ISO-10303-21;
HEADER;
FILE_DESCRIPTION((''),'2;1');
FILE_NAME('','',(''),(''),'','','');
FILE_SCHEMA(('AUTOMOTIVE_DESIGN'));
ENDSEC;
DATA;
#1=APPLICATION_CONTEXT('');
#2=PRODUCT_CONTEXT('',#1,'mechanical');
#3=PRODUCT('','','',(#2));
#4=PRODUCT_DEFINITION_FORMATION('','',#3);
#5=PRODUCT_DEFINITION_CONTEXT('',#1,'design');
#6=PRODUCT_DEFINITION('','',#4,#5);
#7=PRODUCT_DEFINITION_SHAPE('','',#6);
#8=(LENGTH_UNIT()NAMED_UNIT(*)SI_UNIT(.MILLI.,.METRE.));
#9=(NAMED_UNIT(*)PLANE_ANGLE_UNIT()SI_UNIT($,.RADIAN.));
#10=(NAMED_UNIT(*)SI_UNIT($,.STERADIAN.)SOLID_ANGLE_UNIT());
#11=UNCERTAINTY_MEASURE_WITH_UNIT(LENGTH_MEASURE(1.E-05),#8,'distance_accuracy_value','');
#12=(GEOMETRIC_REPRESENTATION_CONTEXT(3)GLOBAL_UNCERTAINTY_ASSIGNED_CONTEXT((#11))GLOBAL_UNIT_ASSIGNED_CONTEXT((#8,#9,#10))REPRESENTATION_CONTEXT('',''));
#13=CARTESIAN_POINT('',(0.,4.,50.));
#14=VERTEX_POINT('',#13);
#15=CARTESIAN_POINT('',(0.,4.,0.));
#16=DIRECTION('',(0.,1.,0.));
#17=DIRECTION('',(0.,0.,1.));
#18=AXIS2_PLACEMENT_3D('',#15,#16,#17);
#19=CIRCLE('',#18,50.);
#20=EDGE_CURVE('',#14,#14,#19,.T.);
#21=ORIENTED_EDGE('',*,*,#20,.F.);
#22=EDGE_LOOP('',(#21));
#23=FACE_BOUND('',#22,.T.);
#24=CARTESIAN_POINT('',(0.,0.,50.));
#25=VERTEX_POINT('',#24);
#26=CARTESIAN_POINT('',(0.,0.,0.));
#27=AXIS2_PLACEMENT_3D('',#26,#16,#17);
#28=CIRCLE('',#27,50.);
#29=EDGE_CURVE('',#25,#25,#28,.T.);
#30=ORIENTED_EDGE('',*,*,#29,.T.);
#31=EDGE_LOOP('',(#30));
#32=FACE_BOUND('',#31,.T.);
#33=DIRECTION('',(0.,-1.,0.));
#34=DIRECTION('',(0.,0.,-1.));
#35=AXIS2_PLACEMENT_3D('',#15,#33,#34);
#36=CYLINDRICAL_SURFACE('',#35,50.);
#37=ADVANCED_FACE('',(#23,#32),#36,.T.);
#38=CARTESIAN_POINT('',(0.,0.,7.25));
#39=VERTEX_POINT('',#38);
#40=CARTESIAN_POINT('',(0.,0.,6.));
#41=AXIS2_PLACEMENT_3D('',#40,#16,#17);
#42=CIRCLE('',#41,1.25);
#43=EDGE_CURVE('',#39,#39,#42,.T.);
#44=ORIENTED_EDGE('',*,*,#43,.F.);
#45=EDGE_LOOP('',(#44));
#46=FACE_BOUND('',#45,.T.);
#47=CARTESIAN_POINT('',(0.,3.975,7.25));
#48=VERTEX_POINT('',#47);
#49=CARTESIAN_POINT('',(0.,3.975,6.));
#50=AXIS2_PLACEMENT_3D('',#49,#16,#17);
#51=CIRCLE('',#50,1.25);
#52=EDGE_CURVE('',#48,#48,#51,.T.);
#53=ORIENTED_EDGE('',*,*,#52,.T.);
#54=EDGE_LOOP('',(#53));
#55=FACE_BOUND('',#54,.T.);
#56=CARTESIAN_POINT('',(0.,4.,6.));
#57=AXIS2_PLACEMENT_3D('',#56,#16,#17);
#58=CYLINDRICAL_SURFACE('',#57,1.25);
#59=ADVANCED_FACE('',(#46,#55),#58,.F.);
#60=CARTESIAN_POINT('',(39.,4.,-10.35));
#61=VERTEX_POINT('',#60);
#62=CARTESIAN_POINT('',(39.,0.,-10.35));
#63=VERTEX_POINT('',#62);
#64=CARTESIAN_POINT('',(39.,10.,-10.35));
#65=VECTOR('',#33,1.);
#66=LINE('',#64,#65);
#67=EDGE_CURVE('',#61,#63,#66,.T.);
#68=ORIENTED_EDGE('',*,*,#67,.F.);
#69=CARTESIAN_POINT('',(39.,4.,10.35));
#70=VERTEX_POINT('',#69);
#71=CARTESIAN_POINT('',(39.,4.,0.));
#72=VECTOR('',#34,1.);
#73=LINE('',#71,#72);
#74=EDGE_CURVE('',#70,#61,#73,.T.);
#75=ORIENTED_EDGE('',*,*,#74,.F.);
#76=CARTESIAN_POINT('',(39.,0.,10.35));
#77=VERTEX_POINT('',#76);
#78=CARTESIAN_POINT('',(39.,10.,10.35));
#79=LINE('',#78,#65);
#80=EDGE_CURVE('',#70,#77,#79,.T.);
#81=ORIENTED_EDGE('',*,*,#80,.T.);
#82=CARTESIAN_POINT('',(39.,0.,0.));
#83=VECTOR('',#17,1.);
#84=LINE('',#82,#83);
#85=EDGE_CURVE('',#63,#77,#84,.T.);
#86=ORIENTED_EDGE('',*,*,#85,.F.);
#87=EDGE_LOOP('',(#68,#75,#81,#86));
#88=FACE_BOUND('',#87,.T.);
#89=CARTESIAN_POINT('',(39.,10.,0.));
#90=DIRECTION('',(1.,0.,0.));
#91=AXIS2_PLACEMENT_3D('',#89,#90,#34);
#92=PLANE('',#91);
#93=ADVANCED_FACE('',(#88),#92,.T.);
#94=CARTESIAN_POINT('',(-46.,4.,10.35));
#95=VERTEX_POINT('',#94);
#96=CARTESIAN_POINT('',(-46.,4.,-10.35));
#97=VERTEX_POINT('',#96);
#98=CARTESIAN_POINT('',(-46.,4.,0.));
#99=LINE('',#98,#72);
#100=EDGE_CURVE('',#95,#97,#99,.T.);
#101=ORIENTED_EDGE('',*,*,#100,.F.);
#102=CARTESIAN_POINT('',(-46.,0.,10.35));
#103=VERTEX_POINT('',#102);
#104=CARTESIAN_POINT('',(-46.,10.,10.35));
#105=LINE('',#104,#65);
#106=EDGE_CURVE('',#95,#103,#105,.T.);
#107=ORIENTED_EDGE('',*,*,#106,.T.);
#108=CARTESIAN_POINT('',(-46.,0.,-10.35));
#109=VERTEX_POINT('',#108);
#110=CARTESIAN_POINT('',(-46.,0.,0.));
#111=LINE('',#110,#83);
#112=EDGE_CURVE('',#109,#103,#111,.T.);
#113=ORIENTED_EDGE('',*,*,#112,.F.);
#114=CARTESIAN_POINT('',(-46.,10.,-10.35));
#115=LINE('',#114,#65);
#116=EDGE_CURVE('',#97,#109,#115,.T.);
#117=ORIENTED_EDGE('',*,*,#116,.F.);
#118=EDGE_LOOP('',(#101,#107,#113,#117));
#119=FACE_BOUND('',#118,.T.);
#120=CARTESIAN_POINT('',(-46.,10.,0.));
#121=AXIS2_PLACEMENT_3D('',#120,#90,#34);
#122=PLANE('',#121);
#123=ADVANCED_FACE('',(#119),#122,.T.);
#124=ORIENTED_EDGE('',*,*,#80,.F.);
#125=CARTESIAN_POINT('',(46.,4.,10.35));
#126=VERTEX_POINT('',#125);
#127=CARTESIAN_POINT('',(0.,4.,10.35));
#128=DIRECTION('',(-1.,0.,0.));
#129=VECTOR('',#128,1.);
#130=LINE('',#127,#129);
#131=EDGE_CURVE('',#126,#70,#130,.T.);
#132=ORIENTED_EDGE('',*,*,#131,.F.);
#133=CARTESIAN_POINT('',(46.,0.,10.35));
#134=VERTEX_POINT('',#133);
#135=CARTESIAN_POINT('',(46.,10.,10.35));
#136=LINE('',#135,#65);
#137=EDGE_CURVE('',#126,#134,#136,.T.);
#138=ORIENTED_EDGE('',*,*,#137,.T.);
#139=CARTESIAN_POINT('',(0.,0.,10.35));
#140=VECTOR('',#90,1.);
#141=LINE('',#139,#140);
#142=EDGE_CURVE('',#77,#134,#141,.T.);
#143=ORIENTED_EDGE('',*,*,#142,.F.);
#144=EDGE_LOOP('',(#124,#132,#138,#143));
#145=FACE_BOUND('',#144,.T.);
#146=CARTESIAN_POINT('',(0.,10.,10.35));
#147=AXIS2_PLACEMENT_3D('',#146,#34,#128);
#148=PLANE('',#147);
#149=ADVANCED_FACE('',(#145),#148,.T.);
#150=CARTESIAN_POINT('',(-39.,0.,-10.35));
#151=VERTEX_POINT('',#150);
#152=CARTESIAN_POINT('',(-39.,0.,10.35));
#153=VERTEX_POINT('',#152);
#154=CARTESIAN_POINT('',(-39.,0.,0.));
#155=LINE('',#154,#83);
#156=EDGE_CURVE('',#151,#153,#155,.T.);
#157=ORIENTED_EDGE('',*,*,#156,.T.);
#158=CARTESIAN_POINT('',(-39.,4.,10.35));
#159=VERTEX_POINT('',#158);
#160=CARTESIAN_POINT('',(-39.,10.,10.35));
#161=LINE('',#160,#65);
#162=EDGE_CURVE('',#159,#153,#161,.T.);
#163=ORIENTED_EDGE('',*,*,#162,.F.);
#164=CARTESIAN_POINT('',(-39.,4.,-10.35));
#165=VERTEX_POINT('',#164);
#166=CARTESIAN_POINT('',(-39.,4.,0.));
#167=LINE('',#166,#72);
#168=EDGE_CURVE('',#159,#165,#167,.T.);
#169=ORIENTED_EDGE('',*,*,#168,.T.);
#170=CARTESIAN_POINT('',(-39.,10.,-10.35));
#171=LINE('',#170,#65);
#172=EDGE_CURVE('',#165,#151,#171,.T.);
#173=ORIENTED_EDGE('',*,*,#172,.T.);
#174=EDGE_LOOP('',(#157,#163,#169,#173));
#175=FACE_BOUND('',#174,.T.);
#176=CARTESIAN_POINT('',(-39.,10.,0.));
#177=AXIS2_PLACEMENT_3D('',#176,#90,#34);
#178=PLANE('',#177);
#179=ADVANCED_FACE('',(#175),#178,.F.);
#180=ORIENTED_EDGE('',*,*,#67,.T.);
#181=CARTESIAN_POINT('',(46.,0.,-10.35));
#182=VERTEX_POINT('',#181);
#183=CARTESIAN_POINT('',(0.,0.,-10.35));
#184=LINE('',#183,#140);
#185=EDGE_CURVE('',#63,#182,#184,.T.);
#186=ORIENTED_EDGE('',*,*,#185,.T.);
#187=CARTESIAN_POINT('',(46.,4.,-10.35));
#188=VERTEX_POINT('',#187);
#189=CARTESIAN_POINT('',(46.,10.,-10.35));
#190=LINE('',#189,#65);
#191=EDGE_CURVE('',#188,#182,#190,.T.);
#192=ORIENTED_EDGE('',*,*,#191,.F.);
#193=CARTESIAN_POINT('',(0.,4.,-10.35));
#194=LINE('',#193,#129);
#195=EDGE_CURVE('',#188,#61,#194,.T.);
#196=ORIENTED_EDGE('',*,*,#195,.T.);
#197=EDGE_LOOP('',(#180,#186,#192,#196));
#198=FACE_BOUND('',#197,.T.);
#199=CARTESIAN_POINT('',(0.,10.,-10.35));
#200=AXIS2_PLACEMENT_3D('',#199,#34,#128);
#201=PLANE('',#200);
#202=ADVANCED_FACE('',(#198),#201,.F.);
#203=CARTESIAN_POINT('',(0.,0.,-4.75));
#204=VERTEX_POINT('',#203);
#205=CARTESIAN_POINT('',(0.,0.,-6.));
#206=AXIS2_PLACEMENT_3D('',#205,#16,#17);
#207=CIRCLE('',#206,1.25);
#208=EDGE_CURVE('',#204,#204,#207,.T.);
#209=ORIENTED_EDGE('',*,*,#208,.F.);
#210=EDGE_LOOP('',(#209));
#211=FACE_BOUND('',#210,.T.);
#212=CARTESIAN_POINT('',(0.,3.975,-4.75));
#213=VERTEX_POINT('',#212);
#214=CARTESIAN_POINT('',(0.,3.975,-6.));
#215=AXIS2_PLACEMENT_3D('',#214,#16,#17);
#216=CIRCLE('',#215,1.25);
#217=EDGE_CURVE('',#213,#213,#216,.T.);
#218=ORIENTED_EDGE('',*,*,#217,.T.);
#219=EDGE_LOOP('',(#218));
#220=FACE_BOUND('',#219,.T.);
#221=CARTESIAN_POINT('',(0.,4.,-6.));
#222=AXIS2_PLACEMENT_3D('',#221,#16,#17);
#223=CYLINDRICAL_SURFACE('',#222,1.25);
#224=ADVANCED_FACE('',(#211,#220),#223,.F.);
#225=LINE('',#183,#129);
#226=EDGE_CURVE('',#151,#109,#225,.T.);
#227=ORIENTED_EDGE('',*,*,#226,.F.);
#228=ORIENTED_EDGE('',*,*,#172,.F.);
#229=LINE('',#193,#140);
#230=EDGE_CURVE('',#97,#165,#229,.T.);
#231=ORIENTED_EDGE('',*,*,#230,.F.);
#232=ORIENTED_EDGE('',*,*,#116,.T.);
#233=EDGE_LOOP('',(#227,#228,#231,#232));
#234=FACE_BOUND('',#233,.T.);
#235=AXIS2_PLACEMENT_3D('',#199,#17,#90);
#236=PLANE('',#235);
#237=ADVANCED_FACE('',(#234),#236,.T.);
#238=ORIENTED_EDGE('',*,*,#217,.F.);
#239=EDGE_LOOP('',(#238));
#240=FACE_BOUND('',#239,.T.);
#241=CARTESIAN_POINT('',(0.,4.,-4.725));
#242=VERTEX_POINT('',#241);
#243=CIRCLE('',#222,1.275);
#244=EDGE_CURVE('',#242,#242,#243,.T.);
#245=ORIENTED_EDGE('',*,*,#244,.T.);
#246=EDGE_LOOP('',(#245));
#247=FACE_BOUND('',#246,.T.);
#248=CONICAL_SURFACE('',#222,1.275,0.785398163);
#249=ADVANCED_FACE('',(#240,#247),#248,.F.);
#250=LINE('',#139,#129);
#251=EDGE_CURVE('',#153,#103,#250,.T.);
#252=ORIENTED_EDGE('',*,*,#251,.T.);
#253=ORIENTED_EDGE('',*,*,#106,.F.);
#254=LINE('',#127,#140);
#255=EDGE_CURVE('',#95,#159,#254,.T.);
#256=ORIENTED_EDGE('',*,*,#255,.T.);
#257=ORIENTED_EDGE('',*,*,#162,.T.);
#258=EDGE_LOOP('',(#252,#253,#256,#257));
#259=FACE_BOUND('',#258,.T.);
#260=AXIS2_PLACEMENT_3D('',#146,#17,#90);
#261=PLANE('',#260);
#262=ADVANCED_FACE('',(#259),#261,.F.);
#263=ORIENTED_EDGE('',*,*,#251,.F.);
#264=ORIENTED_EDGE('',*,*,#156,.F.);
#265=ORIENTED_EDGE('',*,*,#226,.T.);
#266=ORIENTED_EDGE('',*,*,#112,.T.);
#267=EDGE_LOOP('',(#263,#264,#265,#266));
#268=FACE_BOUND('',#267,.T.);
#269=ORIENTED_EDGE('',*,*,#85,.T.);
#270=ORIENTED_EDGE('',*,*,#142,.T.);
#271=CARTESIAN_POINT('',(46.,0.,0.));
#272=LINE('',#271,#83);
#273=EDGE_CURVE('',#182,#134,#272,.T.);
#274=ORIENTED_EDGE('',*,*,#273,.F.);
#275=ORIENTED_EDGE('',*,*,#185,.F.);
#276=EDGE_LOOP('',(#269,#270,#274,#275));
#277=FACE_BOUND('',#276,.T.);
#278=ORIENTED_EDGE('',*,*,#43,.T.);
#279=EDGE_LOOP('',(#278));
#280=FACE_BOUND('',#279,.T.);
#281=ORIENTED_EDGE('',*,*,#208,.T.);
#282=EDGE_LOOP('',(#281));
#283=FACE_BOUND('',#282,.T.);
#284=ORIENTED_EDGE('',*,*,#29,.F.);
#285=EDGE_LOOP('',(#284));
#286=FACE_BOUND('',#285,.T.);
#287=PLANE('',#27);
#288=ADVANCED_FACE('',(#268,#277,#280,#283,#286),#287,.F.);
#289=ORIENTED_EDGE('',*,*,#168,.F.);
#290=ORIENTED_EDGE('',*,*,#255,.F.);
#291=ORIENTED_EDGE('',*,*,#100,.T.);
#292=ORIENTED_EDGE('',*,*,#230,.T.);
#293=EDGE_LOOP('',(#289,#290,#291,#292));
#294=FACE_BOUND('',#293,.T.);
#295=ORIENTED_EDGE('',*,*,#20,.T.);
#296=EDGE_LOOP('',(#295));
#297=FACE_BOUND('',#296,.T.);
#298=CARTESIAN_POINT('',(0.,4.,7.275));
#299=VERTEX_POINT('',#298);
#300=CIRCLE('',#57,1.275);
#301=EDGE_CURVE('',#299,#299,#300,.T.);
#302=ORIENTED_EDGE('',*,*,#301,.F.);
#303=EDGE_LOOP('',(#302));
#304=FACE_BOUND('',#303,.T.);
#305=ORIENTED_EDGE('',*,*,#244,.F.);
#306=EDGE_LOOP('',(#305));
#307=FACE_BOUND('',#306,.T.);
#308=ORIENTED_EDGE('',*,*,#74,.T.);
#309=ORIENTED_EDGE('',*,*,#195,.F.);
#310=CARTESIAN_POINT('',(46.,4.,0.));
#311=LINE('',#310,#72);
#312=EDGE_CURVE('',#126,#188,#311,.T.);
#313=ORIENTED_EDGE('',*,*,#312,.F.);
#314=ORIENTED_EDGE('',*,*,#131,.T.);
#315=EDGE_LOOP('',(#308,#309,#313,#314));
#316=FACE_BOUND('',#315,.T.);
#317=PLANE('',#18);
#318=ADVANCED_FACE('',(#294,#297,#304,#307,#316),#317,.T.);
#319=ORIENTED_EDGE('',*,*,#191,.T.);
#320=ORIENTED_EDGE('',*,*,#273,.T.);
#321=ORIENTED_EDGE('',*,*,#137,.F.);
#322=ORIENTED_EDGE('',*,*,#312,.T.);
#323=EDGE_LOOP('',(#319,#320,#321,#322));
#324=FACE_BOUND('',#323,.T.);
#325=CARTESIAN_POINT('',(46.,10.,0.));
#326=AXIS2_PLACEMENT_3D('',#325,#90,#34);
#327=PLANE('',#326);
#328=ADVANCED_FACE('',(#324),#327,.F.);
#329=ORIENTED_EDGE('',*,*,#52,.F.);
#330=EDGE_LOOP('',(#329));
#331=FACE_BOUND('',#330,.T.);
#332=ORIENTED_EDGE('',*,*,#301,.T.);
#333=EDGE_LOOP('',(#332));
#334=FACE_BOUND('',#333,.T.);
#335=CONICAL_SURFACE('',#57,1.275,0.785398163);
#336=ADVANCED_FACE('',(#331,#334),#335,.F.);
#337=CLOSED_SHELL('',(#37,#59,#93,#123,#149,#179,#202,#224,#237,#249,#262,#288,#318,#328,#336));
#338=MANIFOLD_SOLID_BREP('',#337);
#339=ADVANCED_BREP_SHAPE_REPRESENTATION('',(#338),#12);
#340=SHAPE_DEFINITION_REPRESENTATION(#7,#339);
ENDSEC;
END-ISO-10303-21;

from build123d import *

# Parameters (mm, degrees)
SKETCH2_R                             = 50
BOSS_EXTRUDE2_DEPTH                   = 4
TAP_DRILL_FOR_M3X0_5_TAP1_D           = 2.5
TAP_DRILL_FOR_M3X0_5_TAP1_CSINK_D     = 2.55
TAP_DRILL_FOR_M3X0_5_TAP1_CSINK_ANGLE = 90
SKETCH5_W                             = 7
SKETCH5_H                             = 20.7
CUT_EXTRUDE1_DEPTH                    = 10


with BuildPart() as part:
    # Sketch2 → Boss-Extrude2 (new body)
    with BuildSketch(Plane(origin=(0, 0, 0), x_dir=(1, 0, 0), z_dir=(0, 1, 0))):
        Circle(SKETCH2_R)
    extrude(amount=BOSS_EXTRUDE2_DEPTH)

    # Tap Drill for M3x0.5 Tap1 (through all)
    with Locations(Plane(origin=(0, 4, 0), x_dir=(1, 0, 0), z_dir=(0, 1, 0))):
        with Locations((0, 6), (0, -6)):
            CounterSinkHole(TAP_DRILL_FOR_M3X0_5_TAP1_D / 2, TAP_DRILL_FOR_M3X0_5_TAP1_CSINK_D / 2, counter_sink_angle=TAP_DRILL_FOR_M3X0_5_TAP1_CSINK_ANGLE)

    # Sketch5 → Cut-Extrude1 (cut)
    with BuildSketch(Plane.XZ):
        with Locations((-42.5, 0)):
            Rectangle(SKETCH5_W, SKETCH5_H)
        with Locations((42.5, 0)):
            Rectangle(SKETCH5_W, SKETCH5_H)
    extrude(amount=-CUT_EXTRUDE1_DEPTH, mode=Mode.SUBTRACT)


solid = part.part
